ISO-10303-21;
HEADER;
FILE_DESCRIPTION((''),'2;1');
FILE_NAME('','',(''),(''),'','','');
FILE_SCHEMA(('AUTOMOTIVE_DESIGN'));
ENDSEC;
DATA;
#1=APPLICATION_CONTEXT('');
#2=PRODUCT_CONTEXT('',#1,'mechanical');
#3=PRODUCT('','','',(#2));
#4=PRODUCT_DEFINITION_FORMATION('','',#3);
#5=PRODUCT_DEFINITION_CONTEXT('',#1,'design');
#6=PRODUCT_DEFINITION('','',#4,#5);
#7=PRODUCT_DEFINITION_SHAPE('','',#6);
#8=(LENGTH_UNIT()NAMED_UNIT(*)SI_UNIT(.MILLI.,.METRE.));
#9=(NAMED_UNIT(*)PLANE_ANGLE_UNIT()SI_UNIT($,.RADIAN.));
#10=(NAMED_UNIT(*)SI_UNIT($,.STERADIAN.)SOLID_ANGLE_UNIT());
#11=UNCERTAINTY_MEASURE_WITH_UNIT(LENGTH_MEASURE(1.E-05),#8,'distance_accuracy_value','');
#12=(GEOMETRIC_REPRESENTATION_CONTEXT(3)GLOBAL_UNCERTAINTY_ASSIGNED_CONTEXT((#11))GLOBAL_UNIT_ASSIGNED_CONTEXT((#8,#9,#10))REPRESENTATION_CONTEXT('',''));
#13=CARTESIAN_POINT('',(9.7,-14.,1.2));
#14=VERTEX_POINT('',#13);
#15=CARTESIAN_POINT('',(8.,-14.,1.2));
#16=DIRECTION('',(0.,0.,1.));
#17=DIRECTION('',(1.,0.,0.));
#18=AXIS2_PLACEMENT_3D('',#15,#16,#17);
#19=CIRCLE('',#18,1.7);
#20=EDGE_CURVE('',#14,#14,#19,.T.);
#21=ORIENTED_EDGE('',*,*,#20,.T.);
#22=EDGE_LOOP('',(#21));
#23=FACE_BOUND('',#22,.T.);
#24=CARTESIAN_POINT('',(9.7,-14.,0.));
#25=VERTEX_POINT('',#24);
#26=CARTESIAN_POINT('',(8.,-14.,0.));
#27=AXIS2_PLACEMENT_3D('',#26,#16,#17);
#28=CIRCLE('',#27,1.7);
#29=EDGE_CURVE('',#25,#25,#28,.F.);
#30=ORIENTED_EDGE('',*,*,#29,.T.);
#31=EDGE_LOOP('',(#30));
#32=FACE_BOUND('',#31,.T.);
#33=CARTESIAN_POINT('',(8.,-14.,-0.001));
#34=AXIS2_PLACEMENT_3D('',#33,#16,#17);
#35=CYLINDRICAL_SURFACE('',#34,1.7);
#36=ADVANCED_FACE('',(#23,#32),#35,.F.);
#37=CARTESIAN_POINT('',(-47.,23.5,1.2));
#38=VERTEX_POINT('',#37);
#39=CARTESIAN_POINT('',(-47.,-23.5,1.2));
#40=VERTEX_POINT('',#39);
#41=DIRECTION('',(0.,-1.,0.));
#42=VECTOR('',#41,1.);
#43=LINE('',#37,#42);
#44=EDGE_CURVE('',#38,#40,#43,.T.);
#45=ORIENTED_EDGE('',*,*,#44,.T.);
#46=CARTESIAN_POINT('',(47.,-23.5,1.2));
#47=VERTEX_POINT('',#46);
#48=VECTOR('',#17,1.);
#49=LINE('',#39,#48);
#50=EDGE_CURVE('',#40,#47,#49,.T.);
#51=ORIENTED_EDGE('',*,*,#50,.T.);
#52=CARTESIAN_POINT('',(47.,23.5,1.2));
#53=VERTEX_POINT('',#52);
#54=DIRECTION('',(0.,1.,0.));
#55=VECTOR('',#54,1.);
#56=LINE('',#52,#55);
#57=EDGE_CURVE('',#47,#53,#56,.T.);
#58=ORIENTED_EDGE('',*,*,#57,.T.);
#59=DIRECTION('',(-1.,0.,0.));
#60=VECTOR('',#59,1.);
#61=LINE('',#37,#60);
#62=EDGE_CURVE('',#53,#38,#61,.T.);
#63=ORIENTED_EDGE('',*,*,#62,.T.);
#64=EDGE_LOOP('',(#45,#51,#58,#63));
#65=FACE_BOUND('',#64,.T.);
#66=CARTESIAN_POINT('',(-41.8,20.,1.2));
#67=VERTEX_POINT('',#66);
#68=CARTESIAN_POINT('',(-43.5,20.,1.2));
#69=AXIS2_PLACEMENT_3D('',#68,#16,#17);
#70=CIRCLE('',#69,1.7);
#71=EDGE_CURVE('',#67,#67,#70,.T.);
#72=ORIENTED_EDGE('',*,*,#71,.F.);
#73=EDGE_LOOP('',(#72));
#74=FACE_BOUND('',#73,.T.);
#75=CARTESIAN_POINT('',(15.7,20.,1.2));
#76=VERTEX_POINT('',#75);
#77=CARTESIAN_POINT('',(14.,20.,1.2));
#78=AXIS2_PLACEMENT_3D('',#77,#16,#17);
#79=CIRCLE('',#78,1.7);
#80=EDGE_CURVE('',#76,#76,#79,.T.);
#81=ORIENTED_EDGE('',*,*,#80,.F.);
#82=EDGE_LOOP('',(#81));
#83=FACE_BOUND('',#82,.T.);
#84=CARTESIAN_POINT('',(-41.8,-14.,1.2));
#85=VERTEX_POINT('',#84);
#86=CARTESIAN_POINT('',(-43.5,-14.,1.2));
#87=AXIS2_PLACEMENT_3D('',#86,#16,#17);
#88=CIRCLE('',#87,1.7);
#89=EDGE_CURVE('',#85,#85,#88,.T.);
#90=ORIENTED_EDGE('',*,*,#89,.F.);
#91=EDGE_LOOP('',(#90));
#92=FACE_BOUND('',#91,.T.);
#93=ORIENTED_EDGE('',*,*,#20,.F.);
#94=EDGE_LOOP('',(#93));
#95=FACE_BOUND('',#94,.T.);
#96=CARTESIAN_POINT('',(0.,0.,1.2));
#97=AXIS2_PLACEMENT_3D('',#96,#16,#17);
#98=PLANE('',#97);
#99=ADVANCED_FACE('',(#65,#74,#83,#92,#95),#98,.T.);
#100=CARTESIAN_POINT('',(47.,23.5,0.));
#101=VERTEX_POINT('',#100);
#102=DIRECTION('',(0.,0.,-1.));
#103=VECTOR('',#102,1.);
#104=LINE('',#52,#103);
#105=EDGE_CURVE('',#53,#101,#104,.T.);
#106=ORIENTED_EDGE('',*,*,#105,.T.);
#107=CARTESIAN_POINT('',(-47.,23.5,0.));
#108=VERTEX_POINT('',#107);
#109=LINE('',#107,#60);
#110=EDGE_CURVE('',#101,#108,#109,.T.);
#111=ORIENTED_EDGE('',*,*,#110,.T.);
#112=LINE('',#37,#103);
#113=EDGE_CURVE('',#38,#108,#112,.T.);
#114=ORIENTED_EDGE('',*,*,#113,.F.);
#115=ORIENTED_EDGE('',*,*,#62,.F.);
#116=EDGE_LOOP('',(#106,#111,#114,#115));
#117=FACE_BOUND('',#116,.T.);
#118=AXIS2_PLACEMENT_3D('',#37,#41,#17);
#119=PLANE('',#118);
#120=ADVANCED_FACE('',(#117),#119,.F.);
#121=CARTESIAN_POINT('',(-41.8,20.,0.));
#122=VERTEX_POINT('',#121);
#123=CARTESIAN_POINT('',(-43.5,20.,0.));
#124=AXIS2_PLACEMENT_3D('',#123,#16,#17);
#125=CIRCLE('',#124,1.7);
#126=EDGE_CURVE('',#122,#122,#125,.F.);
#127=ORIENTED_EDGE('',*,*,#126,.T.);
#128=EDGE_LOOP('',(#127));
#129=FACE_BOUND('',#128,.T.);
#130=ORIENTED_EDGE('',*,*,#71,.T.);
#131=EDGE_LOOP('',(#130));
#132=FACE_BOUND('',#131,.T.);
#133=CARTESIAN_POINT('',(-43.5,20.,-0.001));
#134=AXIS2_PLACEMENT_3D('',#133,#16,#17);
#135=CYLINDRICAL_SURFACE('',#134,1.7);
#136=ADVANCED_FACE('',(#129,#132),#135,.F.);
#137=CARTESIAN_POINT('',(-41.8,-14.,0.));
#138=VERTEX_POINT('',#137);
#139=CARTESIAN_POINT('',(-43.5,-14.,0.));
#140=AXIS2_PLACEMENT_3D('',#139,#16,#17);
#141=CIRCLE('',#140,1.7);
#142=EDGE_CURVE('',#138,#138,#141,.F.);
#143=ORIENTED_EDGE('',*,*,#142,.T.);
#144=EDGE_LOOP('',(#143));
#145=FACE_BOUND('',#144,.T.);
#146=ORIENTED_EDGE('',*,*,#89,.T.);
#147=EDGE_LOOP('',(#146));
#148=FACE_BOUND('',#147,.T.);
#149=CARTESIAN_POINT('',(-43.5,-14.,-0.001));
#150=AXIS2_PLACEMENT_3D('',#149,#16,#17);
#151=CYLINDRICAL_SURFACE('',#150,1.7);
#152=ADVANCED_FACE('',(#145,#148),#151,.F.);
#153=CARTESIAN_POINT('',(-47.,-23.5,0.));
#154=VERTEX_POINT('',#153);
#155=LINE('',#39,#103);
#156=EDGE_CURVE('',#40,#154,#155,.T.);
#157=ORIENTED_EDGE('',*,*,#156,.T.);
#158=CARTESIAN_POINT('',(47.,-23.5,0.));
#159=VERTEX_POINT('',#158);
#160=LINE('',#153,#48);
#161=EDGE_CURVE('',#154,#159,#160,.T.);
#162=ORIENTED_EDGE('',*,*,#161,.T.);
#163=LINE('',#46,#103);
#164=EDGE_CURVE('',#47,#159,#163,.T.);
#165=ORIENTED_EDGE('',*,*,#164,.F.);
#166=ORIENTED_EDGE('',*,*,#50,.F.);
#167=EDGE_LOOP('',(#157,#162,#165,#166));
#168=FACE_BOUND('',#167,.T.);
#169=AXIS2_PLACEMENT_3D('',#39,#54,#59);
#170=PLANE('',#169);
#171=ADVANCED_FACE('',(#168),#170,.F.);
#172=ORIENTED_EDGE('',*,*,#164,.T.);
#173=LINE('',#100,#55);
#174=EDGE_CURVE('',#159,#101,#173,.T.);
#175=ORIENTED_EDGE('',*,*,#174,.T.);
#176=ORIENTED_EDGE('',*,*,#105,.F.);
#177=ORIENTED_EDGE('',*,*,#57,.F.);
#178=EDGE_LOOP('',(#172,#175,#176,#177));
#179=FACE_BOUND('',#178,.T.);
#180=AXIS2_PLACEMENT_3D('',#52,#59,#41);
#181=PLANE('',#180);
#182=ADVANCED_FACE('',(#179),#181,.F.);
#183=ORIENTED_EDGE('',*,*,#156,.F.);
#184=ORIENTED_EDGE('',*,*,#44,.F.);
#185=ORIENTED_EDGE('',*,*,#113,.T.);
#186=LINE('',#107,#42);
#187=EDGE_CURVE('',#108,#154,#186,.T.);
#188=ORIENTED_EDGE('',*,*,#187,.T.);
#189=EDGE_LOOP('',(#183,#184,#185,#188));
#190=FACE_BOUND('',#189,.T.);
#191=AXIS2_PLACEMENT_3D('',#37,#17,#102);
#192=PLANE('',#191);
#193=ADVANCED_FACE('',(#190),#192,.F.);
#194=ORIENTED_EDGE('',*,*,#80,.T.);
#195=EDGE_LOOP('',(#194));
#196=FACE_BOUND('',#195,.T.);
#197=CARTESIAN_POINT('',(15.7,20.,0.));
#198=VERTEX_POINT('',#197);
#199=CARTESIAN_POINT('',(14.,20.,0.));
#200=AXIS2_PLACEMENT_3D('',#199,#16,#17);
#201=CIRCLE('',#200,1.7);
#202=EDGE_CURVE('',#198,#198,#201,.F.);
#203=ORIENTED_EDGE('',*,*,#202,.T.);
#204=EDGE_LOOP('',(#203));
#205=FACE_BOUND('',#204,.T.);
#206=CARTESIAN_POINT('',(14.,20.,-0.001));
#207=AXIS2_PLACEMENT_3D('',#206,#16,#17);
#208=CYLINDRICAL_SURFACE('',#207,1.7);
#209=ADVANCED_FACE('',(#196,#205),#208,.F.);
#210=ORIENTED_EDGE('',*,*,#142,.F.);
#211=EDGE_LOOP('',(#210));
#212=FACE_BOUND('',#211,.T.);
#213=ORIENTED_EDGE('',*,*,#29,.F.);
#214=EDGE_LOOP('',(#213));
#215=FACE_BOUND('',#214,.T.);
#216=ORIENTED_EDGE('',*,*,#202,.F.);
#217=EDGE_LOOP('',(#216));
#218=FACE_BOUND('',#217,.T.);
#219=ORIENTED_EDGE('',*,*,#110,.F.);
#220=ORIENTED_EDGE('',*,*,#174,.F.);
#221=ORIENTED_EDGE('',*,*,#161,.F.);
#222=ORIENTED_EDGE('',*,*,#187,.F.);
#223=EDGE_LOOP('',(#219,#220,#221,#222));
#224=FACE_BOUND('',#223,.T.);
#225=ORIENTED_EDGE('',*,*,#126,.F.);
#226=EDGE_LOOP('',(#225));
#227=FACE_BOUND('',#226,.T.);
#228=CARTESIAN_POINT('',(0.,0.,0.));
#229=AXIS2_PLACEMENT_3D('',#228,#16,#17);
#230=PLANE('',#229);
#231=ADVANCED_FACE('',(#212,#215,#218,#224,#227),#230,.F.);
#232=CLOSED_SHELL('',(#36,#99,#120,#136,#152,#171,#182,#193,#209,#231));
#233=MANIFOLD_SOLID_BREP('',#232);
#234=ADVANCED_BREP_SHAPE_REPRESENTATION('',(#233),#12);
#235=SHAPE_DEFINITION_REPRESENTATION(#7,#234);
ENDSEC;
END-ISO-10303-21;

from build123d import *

# Parameters (mm, degrees)
SKETCH1_W           = 94
SKETCH1_H           = 47
BOSS_EXTRUDE1_DEPTH = 1.2
CUT_EXTRUDE1_REACH  = 54.561
SKETCH2_R           = 1.7


with BuildPart() as part:
    # Sketch1 → Boss-Extrude1 (new body)
    with BuildSketch(Plane.XY):
        Rectangle(SKETCH1_W, SKETCH1_H)
    extrude(amount=BOSS_EXTRUDE1_DEPTH)

    # Sketch2 → Cut-Extrude1 (cut, up to next)
    with BuildSketch(Plane.XY.offset(1.2), mode=Mode.PRIVATE) as cut_extrude1_sk1:
        with Locations((14, 20)):
            Circle(SKETCH2_R)
    cut_extrude1_tool1 = extrude(cut_extrude1_sk1.sketch, amount=-CUT_EXTRUDE1_REACH, mode=Mode.PRIVATE) & part.part
    # Sketch2 → Cut-Extrude1 (cut, up to next)
    with BuildSketch(Plane.XY.offset(1.2), mode=Mode.PRIVATE) as cut_extrude1_sk2:
        with Locations((8, -14)):
            Circle(SKETCH2_R)
    cut_extrude1_tool2 = extrude(cut_extrude1_sk2.sketch, amount=-CUT_EXTRUDE1_REACH, mode=Mode.PRIVATE) & part.part
    # Sketch2 → Cut-Extrude1 (cut, up to next)
    with BuildSketch(Plane.XY.offset(1.2), mode=Mode.PRIVATE) as cut_extrude1_sk3:
        with Locations((-43.5, -14)):
            Circle(SKETCH2_R)
    cut_extrude1_tool3 = extrude(cut_extrude1_sk3.sketch, amount=-CUT_EXTRUDE1_REACH, mode=Mode.PRIVATE) & part.part
    # Sketch2 → Cut-Extrude1 (cut, up to next)
    with BuildSketch(Plane.XY.offset(1.2), mode=Mode.PRIVATE) as cut_extrude1_sk4:
        with Locations((-43.5, 20)):
            Circle(SKETCH2_R)
    cut_extrude1_tool4 = extrude(cut_extrude1_sk4.sketch, amount=-CUT_EXTRUDE1_REACH, mode=Mode.PRIVATE) & part.part
    add(cut_extrude1_tool1.solids().sort_by_distance((14, 20, 1.2))[0], mode=Mode.SUBTRACT)
    add(cut_extrude1_tool2.solids().sort_by_distance((8, -14, 1.2))[0], mode=Mode.SUBTRACT)
    add(cut_extrude1_tool3.solids().sort_by_distance((-43.5, -14, 1.2))[0], mode=Mode.SUBTRACT)
    add(cut_extrude1_tool4.solids().sort_by_distance((-43.5, 20, 1.2))[0], mode=Mode.SUBTRACT)


solid = part.part
